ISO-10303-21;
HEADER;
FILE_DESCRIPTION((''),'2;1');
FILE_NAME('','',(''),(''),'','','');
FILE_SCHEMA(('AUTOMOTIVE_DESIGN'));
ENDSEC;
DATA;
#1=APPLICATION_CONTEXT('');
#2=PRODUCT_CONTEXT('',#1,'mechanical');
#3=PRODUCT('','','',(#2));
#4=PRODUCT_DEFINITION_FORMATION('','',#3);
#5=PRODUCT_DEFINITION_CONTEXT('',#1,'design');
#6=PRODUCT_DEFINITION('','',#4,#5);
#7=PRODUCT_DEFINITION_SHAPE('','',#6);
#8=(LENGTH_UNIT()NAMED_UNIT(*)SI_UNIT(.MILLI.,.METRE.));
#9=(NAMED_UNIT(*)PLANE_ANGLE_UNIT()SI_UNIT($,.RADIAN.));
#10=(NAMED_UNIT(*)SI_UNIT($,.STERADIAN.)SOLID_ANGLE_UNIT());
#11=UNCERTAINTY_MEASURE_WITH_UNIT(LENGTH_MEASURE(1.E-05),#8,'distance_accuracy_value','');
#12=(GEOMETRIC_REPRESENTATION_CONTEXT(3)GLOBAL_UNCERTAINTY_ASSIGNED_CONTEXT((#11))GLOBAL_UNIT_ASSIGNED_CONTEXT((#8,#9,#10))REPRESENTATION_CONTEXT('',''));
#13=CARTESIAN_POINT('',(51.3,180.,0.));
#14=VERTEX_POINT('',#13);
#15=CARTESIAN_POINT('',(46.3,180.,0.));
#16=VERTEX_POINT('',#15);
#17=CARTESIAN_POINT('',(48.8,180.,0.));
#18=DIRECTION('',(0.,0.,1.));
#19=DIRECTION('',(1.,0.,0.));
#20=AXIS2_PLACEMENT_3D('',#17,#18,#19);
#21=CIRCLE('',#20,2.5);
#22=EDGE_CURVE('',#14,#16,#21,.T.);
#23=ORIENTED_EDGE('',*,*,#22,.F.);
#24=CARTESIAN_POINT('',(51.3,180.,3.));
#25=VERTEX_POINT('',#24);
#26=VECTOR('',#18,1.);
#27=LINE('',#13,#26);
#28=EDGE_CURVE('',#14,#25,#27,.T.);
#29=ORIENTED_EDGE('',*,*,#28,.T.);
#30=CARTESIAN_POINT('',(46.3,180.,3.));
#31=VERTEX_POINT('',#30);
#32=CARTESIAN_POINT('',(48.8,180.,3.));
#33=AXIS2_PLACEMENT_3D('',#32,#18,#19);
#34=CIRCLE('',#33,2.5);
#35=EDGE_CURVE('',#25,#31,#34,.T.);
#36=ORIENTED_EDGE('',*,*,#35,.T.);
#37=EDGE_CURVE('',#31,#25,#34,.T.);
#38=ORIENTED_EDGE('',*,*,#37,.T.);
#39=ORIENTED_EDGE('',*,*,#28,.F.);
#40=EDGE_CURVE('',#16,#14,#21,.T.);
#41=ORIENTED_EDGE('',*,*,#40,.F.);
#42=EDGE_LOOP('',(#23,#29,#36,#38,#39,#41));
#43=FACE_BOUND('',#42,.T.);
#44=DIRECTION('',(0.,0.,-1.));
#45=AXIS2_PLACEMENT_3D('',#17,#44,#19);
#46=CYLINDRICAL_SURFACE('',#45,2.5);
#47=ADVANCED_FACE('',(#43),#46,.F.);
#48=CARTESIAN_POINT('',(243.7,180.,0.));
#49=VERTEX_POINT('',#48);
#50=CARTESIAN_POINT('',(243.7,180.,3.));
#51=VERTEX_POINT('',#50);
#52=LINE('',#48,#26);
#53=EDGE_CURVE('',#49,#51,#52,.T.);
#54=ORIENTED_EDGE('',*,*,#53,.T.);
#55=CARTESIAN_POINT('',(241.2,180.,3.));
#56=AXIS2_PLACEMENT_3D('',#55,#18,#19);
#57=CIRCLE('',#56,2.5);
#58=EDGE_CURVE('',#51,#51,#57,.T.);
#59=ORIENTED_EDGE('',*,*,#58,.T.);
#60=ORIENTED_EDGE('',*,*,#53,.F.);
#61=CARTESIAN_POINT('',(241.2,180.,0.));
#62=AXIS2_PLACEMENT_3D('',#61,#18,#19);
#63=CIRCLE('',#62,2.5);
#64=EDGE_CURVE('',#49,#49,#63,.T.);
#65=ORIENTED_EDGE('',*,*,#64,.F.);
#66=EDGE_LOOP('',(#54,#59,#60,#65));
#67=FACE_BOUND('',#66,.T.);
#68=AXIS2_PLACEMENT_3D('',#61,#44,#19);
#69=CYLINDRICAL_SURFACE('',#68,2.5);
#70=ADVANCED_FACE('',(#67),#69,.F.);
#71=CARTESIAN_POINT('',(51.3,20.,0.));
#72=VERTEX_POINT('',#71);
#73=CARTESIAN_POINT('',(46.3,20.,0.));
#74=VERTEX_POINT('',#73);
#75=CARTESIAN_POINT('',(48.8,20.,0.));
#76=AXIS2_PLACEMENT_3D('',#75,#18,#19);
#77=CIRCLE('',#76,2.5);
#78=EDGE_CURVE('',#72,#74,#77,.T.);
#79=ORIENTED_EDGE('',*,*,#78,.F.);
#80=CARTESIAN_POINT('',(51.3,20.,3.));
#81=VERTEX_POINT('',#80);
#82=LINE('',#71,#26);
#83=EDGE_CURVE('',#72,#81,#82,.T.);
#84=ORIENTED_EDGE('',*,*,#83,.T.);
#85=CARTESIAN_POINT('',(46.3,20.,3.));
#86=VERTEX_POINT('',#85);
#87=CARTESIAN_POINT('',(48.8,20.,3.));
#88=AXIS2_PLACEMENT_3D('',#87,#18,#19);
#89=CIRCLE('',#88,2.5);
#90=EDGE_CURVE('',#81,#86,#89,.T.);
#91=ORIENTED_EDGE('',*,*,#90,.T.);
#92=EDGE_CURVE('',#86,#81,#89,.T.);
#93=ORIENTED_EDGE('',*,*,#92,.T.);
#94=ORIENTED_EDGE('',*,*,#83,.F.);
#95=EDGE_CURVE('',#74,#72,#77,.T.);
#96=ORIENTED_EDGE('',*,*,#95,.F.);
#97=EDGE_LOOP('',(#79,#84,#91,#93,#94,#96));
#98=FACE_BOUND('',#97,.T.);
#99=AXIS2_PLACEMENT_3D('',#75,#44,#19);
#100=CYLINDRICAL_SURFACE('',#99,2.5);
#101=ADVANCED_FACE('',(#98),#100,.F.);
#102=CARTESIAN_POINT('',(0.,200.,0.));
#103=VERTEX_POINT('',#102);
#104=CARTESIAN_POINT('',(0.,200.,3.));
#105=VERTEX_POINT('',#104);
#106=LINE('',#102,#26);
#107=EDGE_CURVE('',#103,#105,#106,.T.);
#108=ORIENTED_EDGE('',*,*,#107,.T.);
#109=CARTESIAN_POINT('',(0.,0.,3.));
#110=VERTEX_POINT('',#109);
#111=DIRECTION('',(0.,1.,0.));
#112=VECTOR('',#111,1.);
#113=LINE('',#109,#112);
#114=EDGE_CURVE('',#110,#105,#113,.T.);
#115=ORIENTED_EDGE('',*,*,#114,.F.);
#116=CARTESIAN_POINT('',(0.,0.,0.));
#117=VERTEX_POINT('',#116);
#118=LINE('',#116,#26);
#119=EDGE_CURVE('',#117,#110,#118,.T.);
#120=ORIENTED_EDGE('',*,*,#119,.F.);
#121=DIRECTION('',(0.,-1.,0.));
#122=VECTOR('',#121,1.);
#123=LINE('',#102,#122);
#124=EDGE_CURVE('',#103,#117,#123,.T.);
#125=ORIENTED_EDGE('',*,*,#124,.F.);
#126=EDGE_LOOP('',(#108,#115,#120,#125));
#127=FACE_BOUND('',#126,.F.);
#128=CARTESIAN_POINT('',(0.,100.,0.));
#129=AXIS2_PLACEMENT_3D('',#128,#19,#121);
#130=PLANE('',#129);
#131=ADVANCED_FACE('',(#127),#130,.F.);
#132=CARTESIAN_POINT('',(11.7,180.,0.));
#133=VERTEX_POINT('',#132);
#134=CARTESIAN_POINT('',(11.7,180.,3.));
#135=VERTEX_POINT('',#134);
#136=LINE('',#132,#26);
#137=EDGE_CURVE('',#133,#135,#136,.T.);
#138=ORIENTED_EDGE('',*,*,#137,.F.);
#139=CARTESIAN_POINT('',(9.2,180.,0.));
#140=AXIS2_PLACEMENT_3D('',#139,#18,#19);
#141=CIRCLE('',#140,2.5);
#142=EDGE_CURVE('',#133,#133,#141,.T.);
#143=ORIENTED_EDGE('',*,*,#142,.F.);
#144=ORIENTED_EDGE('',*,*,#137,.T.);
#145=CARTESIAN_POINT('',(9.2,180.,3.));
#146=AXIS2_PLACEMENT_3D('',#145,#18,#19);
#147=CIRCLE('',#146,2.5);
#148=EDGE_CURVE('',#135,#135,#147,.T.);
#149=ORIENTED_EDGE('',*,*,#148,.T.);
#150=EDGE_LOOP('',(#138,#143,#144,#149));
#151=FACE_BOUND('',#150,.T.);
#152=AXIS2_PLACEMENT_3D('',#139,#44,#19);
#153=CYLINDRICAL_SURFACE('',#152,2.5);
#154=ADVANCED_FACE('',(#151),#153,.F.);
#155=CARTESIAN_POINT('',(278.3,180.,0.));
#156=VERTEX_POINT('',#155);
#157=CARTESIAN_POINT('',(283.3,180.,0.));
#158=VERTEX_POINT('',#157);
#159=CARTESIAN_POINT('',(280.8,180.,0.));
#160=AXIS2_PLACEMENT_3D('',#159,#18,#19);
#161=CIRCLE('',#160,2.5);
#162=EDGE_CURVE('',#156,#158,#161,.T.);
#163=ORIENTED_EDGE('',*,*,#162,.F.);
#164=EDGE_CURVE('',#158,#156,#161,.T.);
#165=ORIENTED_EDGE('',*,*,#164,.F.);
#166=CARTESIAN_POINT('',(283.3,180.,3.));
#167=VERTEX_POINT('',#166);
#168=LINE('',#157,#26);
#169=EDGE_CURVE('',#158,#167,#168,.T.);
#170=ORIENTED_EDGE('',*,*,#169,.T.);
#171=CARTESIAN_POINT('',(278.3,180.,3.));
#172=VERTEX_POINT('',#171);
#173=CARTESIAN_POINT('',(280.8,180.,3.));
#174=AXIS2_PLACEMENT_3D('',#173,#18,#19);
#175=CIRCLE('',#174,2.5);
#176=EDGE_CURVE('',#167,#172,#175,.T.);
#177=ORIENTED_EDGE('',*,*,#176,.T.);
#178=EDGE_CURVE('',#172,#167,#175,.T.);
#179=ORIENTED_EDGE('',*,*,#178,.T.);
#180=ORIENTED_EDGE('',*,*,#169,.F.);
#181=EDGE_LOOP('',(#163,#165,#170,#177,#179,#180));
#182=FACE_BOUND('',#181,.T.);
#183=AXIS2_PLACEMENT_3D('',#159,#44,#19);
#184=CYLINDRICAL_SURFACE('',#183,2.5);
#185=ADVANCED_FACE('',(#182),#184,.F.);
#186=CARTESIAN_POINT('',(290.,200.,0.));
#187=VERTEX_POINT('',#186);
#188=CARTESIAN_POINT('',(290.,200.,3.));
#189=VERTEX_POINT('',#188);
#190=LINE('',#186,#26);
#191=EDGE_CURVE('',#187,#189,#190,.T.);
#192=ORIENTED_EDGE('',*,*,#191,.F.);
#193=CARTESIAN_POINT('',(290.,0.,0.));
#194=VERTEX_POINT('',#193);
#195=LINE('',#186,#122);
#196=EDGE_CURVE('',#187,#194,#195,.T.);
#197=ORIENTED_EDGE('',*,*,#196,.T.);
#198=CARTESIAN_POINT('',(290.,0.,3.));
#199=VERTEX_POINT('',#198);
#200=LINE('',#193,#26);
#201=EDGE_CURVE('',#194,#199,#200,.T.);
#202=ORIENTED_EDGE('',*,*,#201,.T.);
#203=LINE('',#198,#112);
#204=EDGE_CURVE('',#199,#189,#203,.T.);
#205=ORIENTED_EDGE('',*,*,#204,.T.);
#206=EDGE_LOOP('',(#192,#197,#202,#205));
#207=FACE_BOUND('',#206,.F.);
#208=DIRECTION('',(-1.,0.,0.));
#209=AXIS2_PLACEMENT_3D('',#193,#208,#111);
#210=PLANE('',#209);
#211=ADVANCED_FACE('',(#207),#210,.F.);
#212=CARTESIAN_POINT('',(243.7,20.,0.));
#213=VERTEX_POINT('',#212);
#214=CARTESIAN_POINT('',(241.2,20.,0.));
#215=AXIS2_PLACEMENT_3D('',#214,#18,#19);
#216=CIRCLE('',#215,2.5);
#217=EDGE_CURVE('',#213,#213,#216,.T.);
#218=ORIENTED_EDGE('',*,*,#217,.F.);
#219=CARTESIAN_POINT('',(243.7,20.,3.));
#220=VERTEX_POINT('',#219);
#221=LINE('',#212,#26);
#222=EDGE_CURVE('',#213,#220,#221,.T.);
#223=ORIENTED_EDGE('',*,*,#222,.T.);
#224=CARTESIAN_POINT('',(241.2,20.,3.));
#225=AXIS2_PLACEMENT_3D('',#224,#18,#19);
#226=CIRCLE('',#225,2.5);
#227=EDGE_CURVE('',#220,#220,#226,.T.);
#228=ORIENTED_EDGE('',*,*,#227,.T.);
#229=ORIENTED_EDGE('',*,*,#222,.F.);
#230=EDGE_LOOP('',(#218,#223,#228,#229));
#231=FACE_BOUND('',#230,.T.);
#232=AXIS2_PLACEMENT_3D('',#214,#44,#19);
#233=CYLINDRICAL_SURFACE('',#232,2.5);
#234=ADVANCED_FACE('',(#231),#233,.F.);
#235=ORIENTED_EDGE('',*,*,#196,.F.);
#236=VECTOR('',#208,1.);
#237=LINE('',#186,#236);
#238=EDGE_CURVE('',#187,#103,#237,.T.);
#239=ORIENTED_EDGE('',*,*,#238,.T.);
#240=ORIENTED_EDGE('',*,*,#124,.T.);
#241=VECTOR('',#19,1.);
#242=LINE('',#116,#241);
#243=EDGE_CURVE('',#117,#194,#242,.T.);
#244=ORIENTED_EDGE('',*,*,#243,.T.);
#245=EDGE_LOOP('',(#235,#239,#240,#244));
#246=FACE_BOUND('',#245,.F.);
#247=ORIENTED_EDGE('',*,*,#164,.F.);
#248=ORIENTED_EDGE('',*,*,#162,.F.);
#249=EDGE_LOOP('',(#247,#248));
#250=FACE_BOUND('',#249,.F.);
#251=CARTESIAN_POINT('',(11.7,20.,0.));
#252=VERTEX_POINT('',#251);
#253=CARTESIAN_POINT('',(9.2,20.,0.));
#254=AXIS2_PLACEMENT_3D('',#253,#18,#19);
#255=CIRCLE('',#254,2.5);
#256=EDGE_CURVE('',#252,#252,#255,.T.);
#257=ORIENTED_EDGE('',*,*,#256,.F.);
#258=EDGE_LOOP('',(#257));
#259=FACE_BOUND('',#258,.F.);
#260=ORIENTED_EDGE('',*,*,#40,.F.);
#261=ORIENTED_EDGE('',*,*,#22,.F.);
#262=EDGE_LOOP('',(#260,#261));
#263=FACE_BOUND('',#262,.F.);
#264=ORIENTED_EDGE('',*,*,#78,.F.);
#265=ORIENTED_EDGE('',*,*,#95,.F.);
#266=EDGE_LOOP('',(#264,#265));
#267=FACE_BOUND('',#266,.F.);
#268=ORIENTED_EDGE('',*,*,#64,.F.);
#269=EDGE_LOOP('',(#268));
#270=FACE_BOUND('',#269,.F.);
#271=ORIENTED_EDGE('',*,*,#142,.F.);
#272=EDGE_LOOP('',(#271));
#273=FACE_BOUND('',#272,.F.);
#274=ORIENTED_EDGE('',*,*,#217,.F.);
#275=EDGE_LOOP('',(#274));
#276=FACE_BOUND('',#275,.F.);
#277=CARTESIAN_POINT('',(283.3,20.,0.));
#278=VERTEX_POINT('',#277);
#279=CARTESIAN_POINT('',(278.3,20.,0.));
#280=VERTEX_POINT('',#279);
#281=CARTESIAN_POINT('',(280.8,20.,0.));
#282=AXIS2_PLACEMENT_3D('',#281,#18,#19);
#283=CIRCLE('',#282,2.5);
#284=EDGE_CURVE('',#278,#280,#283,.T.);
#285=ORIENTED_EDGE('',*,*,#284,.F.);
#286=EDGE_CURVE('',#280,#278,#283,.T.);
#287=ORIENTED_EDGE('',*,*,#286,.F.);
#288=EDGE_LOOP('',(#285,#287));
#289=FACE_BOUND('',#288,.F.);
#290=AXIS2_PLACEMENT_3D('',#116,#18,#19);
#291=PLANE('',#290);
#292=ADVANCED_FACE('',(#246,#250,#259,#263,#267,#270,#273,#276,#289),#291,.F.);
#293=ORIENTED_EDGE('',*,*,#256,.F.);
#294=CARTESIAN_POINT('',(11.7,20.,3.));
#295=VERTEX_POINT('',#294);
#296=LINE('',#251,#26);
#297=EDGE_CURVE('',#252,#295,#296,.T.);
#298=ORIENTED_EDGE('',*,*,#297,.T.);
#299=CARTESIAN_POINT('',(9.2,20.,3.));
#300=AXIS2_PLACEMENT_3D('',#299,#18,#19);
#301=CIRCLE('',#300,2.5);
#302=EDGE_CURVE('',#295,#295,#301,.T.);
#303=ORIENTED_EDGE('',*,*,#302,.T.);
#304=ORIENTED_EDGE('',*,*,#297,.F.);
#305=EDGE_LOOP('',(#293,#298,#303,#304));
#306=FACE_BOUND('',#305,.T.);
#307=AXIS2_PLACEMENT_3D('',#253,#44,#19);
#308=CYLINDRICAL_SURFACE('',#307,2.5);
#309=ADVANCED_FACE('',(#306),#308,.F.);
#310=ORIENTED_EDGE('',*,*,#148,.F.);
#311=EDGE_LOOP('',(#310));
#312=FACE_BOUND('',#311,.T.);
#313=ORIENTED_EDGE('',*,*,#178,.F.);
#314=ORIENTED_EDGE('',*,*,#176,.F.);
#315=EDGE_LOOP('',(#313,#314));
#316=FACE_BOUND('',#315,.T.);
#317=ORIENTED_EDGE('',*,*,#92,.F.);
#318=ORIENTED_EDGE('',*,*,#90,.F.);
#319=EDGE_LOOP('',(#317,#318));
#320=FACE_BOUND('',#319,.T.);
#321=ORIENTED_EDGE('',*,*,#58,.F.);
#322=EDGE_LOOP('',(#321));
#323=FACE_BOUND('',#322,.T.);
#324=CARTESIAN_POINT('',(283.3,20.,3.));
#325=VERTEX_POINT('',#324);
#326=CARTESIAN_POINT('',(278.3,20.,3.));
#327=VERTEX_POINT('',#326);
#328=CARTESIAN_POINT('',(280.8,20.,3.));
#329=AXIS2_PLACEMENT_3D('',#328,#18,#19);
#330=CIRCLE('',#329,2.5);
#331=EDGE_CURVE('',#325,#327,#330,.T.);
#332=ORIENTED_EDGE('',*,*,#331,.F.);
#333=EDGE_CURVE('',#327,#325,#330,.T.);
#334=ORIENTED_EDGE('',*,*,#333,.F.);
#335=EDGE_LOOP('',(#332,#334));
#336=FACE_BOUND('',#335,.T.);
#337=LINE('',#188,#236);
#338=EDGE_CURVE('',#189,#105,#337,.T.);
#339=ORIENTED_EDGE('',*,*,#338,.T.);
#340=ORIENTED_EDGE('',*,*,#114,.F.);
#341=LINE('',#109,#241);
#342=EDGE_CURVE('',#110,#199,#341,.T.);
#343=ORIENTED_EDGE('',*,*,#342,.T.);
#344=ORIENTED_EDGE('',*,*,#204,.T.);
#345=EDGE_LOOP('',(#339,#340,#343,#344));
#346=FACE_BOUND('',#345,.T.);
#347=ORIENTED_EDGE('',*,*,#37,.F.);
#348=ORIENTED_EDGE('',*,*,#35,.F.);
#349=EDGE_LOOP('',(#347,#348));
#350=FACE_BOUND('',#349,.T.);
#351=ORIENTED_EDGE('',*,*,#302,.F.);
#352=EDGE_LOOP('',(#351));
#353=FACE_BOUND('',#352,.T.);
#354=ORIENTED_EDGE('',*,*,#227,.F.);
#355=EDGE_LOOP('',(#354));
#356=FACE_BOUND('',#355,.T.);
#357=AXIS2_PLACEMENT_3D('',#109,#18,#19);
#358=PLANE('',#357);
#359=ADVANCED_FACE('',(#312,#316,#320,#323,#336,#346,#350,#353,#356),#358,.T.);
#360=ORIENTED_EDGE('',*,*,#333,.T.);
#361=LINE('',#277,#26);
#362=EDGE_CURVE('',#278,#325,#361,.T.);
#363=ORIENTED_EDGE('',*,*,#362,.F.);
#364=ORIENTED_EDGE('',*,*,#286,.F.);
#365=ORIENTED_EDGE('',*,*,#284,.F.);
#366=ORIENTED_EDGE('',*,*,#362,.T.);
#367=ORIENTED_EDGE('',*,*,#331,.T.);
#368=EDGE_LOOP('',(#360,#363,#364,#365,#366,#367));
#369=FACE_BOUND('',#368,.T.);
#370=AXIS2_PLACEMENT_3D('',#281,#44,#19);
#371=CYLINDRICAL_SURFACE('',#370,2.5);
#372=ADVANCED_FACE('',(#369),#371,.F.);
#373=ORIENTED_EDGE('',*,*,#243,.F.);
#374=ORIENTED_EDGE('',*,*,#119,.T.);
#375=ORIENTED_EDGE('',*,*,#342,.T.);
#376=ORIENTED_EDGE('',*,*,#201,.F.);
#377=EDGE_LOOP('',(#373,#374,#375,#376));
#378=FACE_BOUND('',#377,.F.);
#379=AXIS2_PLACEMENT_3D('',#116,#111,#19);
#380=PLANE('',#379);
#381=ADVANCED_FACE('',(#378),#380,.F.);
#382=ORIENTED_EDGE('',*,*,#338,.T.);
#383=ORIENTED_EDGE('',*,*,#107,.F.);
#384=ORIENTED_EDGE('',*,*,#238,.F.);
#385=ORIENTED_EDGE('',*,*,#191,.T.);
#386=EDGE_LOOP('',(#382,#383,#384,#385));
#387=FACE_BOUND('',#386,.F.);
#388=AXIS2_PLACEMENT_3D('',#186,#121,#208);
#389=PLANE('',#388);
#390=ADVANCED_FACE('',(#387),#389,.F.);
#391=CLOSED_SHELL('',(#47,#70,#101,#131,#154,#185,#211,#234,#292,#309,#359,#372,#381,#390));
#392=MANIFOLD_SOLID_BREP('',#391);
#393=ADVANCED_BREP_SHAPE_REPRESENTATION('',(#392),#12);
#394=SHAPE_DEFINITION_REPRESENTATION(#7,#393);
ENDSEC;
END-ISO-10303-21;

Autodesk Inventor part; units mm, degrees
ref_plane "YZ Plane" through (0, 0, 0) normal (1, 0, 0) x (0, 1, 0)
ref_plane "XZ Plane" through (0, 0, 0) normal (0, 1, 0) x (-1, 0, 0)
ref_plane "XY Plane" through (0, 0, 0) normal (0, 0, 1) x (1, 0, 0)
sketch "Sketch1" plane through (0, 0, 0) normal (0, 0, 1) x (1, 0, 0)
  line L0 (0, 0) -> (290, 0)
  line L1 (290, 0) -> (290, 200)
  line L2 (290, 200) -> (0, 200)
  line L3 (0, 200) -> (0, 0)
  line L4 (9.2, 180) -> (48.8, 180)
  circle A0 centre (9.2, 180) radius 2.5
  circle A1 centre (48.8, 180) radius 2.5
  line L5 (0, 100) -> (290, 100)
  line L6 (9.2, 20) -> (48.8, 20)
  circle A2 centre (9.2, 20) radius 2.5
  circle A3 centre (48.8, 20) radius 2.5
  line L7 (241.2, 180) -> (280.8, 180)
  circle A4 centre (241.2, 180) radius 2.5
  circle A5 centre (280.8, 180) radius 2.5
  line L8 (241.2, 20) -> (280.8, 20)
  circle A6 centre (241.2, 20) radius 2.5
  circle A7 centre (280.8, 20) radius 2.5
  dimension "d0" = 290
  dimension "d1" = 200
  dimension "d2" = 39.6
  dimension "d4" = 9.2
  dimension "d5" = 20
  dimension "d6" = 5
  dimension "d8" = 5
  dimension "d13" = 39.6
  dimension "d14" = 5
  dimension "d15" = 5
  dimension "d16" = 9.2
  dimension "d17" = 20
extrude "Extrusion1" add sketch "Sketch1" along normal blind 3
properties part number "base"
